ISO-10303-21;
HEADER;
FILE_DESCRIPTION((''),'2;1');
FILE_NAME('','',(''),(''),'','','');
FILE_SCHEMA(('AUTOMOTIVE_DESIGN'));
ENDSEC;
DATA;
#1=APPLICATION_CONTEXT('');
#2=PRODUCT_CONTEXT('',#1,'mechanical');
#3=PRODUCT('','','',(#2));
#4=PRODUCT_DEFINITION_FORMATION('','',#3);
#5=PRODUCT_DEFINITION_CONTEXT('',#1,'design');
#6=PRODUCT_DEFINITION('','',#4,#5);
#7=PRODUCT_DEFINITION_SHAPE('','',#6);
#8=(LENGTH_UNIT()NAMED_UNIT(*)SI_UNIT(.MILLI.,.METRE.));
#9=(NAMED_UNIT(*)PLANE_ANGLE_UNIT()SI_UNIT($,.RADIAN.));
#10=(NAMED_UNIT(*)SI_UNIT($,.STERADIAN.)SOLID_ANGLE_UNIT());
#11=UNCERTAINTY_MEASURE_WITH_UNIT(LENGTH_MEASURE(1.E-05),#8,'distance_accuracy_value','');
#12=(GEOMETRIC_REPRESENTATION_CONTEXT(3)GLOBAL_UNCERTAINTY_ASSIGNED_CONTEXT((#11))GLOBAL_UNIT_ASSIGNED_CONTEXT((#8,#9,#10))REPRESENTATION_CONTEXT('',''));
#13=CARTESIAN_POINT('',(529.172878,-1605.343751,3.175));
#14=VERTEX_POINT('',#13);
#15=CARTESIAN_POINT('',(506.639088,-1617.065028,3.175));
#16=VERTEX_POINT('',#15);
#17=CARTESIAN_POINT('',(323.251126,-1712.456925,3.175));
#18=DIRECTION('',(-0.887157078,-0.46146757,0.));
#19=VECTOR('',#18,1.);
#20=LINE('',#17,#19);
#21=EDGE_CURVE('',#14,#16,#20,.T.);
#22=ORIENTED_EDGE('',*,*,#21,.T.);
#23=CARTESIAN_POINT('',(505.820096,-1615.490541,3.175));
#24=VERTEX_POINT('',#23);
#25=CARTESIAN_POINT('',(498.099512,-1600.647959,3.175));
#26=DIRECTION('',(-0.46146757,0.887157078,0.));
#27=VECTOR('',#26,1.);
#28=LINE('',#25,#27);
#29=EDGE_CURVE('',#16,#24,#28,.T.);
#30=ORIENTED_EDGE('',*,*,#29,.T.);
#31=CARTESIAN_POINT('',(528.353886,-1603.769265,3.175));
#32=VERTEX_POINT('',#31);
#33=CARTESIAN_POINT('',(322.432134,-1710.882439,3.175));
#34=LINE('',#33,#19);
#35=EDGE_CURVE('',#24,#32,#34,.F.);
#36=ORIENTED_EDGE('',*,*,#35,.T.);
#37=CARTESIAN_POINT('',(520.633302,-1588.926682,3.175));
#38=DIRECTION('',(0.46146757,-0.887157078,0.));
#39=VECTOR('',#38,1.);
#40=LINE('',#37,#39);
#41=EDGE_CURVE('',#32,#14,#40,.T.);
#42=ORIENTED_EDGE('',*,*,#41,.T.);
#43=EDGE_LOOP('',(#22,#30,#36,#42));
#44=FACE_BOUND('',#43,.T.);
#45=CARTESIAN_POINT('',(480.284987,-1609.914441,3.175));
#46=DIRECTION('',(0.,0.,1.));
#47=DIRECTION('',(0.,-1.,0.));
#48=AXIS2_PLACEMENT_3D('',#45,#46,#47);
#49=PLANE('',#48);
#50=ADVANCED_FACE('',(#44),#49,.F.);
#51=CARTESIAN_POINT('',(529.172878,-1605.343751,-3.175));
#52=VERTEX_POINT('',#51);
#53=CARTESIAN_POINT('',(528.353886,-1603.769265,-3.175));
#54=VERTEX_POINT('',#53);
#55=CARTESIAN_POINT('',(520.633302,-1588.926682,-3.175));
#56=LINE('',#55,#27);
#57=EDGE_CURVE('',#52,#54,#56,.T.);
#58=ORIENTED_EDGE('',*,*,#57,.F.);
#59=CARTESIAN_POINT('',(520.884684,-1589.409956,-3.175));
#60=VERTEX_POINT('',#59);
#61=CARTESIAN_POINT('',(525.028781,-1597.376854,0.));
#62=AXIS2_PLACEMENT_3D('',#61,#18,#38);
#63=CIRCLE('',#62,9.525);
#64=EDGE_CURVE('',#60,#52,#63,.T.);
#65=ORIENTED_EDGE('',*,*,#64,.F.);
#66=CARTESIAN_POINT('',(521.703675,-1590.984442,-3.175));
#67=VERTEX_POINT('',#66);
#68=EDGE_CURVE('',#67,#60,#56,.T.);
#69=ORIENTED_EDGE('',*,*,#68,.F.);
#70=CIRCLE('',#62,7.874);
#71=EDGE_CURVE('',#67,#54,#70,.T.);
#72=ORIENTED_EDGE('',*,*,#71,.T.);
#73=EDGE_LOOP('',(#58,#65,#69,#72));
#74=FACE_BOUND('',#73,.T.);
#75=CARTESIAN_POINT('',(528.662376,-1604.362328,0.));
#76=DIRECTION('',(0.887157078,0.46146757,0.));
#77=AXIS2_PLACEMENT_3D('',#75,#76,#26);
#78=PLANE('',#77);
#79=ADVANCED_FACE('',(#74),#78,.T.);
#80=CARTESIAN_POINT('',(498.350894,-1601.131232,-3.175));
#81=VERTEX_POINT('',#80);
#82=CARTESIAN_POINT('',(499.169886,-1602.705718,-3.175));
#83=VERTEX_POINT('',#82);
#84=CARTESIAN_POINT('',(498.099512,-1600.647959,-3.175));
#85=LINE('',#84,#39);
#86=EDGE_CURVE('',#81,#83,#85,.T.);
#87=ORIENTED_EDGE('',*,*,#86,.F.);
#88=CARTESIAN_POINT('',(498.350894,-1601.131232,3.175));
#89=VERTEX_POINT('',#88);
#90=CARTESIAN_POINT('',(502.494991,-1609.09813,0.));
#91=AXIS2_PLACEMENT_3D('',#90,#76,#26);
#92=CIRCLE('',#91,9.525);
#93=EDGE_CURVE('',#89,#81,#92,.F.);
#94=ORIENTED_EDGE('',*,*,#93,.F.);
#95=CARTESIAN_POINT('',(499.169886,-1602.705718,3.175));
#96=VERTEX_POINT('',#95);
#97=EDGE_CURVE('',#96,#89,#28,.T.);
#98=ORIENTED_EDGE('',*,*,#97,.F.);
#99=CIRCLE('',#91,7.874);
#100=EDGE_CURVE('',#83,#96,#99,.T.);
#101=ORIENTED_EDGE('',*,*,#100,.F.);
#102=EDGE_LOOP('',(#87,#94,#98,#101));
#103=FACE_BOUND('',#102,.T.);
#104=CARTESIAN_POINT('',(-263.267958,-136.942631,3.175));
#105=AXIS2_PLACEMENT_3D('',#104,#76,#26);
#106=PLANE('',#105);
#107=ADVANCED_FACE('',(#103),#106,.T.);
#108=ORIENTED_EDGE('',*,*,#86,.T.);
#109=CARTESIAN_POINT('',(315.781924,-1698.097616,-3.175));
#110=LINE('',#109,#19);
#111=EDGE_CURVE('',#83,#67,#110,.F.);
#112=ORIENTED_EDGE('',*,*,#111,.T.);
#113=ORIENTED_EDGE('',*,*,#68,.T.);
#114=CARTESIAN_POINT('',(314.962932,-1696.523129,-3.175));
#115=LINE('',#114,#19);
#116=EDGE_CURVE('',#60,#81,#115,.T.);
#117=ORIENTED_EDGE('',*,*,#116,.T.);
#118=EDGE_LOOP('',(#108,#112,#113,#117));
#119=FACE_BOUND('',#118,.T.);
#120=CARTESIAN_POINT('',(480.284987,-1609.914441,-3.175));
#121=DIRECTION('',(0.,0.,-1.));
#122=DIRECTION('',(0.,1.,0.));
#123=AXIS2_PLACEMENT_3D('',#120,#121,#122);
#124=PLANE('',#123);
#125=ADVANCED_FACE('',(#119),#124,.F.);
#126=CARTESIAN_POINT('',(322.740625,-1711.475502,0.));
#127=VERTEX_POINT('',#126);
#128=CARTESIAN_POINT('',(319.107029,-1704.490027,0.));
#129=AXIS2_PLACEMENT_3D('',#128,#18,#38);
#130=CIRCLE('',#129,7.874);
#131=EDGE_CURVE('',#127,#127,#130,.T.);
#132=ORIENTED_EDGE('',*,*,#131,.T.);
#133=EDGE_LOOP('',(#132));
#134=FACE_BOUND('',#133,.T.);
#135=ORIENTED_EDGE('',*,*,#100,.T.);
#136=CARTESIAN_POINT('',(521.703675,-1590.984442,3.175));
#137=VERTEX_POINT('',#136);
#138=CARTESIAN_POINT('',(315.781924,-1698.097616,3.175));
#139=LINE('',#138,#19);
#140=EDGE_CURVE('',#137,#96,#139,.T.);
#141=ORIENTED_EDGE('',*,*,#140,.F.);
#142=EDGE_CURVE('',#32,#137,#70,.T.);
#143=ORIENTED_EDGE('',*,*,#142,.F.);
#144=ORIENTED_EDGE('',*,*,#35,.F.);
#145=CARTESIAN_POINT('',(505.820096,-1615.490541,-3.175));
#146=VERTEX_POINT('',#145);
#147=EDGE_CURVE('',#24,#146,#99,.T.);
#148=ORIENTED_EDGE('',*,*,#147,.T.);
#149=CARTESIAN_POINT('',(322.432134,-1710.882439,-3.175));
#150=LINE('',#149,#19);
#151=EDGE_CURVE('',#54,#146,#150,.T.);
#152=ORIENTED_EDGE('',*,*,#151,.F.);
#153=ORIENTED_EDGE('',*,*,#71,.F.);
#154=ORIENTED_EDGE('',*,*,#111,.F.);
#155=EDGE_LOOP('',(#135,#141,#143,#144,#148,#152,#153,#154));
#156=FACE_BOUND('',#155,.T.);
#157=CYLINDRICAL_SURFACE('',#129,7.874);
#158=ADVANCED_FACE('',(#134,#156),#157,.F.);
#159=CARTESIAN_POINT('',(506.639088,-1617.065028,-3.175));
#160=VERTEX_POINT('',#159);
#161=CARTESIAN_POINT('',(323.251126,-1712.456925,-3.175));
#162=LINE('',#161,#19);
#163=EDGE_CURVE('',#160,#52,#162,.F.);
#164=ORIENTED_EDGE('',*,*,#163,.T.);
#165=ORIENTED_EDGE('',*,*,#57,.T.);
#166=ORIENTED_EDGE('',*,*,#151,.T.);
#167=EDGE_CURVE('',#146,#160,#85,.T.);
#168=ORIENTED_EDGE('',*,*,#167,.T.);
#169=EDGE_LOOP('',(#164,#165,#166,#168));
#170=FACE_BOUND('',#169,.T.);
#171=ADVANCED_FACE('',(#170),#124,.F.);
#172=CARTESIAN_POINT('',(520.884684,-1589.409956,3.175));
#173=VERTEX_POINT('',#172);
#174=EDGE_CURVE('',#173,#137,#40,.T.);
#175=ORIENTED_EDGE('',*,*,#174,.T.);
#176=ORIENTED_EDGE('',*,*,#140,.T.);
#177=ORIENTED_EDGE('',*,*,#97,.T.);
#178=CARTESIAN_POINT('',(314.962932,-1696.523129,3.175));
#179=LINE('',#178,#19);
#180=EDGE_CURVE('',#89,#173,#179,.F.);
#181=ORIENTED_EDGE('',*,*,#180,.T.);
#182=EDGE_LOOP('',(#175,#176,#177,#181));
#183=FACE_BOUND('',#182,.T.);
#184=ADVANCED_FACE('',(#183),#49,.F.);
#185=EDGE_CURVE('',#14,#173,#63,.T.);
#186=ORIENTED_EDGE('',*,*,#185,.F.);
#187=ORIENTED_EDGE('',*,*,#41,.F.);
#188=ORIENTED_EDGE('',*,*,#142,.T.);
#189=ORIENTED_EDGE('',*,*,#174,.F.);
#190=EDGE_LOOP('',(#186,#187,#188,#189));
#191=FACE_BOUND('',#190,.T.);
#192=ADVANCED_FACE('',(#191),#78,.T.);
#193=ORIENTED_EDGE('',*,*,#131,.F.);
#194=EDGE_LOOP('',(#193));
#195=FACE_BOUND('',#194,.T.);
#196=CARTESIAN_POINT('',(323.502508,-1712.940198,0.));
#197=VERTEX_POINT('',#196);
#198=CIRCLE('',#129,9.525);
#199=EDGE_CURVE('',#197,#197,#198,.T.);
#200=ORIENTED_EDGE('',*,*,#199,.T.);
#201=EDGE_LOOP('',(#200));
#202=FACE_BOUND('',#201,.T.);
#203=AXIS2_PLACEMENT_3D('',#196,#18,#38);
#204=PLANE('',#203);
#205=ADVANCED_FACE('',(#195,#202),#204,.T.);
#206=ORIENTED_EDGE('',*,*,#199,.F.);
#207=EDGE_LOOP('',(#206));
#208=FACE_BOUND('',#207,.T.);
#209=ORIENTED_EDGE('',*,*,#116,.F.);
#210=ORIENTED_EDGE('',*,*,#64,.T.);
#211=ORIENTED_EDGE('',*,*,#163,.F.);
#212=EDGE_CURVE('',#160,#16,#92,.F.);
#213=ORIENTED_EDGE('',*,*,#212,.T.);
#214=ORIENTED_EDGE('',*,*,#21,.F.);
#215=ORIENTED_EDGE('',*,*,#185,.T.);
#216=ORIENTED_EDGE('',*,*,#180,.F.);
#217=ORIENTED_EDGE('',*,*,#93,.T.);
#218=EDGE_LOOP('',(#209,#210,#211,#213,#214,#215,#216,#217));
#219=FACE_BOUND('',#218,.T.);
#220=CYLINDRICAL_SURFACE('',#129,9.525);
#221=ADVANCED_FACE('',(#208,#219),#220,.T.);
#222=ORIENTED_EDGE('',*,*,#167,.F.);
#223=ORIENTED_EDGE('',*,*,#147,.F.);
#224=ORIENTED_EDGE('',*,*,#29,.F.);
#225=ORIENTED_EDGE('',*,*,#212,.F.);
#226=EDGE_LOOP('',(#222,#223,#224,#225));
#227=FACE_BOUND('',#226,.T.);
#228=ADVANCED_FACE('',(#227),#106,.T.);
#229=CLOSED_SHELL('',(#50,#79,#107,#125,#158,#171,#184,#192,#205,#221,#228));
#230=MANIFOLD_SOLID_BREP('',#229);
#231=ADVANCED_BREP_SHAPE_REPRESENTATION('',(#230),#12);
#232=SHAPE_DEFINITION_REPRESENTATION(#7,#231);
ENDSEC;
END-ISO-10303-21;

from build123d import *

# Parameters (mm, degrees)
CUT_EXTRUDE1_START = -25.4
SKETCH2_W          = 6.35
SKETCH2_H          = 19.05
CUT_EXTRUDE1_DEPTH = 25.4


with BuildPart() as part:
    # Sketch1 → Revolve1 (revolve)
    with BuildSketch(Plane.XY):
        Polygon((528.662376284, -1604.36232837), (529.424259242, -1605.827024707), (323.502507791, -1712.940198389), (322.740624833, -1711.475502052), align=None)
    revolve(axis=Axis((319.107029188, -1704.490027216, 0), (0.887157078, 0.46146757, 0)))

    # Sketch2 → Cut-Extrude1 (cut)
    with BuildSketch(Plane(origin=(-240.734168067, -125.221355071, 0), x_dir=(0, 0, -1), z_dir=(0.887157078, 0.46146757, 0)).offset(CUT_EXTRUDE1_START)):
        with Locations((0, -1659.407938171)):
            Rectangle(SKETCH2_W, SKETCH2_H)
    extrude(amount=CUT_EXTRUDE1_DEPTH, mode=Mode.SUBTRACT)


solid = part.part
